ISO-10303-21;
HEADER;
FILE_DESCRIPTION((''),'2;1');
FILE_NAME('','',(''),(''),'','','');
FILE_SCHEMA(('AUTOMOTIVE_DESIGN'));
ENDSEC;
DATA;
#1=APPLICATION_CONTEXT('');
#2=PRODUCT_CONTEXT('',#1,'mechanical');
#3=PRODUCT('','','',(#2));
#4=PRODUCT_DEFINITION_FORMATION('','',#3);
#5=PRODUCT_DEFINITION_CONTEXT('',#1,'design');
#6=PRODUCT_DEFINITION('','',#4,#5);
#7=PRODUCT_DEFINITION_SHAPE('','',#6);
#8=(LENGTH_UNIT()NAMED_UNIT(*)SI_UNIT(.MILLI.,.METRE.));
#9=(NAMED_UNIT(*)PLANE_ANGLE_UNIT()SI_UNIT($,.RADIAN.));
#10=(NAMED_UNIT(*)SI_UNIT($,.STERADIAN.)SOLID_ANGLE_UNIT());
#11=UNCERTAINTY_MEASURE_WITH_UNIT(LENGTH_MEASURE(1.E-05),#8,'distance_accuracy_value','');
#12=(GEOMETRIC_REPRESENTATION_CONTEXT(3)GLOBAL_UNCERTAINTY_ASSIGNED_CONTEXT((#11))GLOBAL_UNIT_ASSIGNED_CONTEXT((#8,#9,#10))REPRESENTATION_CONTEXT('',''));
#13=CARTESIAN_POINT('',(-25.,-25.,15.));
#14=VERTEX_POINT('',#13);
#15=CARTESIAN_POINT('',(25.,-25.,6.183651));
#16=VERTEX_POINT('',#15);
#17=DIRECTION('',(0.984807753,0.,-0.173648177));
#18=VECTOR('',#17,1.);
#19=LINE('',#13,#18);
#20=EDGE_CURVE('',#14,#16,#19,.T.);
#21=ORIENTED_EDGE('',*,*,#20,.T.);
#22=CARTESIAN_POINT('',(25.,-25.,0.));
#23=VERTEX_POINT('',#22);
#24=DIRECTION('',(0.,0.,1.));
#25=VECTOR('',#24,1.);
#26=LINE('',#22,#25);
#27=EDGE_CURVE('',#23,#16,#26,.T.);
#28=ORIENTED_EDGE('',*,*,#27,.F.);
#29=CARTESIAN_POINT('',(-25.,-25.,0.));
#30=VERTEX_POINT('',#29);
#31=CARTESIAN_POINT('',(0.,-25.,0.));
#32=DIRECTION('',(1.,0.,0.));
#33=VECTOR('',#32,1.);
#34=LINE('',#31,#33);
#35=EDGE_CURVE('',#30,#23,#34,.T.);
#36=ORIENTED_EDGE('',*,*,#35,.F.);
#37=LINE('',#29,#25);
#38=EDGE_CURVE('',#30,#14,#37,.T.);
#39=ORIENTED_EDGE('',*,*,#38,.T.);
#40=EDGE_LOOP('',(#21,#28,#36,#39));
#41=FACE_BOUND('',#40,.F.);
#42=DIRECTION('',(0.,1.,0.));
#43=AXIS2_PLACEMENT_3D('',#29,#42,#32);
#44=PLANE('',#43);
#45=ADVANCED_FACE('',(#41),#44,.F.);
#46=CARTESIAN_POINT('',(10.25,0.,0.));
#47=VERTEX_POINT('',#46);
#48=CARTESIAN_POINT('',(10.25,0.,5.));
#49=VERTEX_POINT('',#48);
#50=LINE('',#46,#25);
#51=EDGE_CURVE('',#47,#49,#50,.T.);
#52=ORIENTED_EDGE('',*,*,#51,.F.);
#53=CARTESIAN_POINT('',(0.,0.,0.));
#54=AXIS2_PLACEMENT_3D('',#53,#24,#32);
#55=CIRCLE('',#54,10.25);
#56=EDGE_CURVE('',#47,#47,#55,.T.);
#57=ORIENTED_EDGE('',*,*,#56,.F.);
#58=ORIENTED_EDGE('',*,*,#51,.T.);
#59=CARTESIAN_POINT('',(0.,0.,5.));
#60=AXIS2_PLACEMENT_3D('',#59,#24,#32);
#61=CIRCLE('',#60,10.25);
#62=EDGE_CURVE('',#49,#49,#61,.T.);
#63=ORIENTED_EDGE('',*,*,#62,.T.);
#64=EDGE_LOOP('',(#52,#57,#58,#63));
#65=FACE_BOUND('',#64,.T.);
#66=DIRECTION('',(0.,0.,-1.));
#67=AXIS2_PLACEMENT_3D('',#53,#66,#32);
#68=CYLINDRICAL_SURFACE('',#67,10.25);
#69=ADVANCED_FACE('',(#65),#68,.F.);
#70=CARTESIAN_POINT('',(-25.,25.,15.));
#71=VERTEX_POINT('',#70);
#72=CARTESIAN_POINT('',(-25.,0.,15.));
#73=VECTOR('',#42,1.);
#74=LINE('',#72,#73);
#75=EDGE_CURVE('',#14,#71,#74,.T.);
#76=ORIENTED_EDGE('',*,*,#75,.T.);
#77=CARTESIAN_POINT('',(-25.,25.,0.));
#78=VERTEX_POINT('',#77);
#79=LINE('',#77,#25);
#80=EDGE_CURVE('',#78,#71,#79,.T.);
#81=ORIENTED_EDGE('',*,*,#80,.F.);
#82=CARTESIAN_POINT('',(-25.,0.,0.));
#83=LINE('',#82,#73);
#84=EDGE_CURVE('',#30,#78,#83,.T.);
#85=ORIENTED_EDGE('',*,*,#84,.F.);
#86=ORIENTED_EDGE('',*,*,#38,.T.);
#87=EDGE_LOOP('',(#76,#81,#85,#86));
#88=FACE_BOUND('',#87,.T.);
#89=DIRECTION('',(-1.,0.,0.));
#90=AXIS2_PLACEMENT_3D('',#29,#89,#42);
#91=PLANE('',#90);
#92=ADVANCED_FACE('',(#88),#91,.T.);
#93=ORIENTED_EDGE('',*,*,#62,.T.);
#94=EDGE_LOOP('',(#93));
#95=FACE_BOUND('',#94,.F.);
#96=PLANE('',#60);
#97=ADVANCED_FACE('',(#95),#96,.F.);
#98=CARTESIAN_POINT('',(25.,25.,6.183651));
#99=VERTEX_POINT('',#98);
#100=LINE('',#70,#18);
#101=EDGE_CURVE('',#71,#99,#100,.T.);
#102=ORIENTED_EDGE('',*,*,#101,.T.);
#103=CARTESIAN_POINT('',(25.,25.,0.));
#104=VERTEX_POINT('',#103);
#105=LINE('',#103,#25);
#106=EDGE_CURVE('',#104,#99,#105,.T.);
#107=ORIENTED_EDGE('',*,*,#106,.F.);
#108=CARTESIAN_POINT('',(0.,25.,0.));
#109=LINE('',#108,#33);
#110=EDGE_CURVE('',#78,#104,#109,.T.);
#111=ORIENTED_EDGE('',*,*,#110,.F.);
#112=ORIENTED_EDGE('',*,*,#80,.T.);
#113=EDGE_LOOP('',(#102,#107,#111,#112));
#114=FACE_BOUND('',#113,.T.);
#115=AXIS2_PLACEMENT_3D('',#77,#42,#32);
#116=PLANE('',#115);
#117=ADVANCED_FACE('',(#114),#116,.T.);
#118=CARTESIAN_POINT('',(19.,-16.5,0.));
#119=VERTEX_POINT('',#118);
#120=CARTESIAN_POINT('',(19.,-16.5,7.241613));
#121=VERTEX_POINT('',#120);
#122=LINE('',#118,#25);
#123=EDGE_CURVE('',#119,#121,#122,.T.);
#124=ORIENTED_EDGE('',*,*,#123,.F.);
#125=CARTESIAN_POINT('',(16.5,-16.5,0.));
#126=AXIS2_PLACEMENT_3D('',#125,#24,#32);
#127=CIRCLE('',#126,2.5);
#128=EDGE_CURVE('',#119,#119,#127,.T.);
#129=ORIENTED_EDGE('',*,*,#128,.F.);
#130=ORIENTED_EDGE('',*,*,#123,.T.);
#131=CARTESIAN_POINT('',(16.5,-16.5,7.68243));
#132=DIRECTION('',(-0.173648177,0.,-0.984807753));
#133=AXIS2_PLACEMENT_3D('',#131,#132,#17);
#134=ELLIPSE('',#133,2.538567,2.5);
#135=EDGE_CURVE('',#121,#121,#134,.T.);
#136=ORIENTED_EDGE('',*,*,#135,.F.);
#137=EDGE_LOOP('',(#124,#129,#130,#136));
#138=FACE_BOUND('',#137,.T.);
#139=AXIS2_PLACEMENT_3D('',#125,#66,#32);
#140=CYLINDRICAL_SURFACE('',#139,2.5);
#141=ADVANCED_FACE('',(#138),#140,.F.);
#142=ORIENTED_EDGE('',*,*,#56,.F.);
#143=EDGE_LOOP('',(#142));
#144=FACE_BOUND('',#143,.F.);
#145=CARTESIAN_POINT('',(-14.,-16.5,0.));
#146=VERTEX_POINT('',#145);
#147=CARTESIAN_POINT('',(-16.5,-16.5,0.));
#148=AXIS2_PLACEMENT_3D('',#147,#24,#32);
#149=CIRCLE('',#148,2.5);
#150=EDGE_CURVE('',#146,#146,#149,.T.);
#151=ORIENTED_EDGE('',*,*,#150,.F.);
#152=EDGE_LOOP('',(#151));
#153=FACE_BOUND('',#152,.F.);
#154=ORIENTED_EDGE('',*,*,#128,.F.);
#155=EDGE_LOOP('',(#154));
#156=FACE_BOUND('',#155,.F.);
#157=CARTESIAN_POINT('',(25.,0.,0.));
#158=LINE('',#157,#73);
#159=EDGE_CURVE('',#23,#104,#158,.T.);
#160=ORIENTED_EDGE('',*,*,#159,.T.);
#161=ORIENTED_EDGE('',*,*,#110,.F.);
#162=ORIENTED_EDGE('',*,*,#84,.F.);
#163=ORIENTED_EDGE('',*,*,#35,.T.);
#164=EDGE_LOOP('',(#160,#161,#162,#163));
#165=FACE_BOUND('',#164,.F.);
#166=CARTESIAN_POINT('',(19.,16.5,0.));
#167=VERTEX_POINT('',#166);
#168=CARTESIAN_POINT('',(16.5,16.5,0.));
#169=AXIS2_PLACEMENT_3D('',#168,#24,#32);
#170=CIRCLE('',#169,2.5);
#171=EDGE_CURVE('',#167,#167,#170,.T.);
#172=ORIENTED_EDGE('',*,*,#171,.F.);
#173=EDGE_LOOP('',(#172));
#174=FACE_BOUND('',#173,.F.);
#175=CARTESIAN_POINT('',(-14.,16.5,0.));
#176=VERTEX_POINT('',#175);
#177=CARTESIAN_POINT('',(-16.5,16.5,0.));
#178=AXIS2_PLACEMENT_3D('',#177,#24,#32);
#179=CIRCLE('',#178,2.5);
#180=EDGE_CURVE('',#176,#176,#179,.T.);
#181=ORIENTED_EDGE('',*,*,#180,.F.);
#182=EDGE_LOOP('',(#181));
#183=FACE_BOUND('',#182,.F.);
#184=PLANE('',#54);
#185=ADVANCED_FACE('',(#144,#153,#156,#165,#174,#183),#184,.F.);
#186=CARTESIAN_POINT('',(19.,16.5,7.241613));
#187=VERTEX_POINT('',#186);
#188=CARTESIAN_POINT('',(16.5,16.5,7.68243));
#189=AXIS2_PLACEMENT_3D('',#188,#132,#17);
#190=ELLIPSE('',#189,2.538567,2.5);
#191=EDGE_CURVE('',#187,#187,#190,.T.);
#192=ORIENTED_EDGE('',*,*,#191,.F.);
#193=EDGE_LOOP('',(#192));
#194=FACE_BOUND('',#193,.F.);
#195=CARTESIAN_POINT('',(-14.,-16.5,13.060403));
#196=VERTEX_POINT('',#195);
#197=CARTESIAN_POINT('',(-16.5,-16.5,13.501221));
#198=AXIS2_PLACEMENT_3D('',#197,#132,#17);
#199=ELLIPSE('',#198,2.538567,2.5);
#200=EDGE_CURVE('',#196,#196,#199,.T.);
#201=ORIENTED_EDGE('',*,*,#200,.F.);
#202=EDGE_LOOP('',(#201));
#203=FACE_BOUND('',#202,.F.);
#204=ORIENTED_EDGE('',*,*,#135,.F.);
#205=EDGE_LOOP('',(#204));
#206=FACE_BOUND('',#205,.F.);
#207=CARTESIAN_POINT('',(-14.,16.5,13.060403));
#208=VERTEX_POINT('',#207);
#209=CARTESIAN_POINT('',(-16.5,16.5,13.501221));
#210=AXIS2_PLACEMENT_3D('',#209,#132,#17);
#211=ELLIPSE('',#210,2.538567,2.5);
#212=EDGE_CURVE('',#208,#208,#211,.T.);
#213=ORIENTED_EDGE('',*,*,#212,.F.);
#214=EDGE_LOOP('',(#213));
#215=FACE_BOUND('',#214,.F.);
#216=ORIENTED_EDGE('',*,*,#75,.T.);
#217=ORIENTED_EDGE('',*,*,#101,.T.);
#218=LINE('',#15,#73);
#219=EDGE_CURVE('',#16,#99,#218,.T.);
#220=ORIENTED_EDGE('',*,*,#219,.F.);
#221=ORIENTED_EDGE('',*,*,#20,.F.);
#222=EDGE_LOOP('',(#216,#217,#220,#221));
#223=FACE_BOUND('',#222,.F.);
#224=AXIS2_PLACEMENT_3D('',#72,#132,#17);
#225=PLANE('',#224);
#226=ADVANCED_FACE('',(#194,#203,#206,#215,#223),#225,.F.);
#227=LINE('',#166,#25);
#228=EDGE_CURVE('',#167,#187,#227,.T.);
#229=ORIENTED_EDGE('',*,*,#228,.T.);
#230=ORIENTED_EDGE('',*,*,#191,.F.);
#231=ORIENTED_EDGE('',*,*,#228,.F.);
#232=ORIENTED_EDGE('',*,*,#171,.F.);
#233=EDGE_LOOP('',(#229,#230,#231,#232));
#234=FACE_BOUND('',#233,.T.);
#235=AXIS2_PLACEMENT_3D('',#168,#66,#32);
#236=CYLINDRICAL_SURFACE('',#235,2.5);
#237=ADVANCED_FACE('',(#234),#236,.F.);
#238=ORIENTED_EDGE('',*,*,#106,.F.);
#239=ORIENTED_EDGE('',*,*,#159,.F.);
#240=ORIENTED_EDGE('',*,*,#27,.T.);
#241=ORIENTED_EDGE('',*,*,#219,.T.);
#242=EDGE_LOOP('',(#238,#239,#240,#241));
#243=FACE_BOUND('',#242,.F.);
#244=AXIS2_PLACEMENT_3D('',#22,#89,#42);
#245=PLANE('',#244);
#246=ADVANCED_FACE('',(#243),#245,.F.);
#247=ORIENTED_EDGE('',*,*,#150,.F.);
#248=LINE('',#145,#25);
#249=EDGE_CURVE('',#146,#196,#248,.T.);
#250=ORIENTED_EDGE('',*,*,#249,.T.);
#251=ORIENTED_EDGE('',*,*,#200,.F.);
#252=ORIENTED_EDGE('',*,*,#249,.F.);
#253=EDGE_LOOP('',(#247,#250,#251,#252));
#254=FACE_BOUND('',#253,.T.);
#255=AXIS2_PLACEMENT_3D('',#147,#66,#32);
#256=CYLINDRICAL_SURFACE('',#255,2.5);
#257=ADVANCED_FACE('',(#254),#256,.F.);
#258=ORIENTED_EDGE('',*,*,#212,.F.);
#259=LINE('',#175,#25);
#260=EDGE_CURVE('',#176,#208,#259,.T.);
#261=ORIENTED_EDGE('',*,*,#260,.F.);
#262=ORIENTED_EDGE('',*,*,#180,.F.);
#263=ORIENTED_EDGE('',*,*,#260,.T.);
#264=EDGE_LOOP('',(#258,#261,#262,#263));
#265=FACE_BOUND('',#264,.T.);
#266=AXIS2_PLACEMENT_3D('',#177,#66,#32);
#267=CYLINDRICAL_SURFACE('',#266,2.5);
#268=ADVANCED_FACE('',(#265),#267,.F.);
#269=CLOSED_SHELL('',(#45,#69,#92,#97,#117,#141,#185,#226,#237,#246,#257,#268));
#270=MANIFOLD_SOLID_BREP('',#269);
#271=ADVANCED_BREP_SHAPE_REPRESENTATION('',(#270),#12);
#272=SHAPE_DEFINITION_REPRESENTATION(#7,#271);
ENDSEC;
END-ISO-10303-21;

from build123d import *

# Parameters (mm, degrees)
F0_W     = 50
F0_H     = 50
F0_R     = 2.5
F0_R_2   = 9.55
F1_DEPTH = 15
F3_DEPTH = 25
F4_R     = 10.25
F5_DEPTH = 5


with BuildPart() as f1:
    # F0 (on Top) → F1 (new body)
    with BuildSketch(Plane.XY):
        Rectangle(F0_W, F0_H)
        with Locations((-16.5, -16.5)):
            Circle(F0_R, mode=Mode.SUBTRACT)
        with Locations((16.5, -16.5)):
            Circle(F0_R, mode=Mode.SUBTRACT)
        with Locations((-16.5, 16.5)):
            Circle(F0_R, mode=Mode.SUBTRACT)
        Circle(F0_R_2, mode=Mode.SUBTRACT)
        with Locations((16.5, 16.5)):
            Circle(F0_R, mode=Mode.SUBTRACT)
        Circle(F0_R_2)
    extrude(amount=F1_DEPTH)

    # F2 (on Front) → F3 (cut, symmetric)
    with BuildSketch(Plane.XZ):
        Polygon((25, 15), (-25, 15), (25, 6.183651), align=None)
    extrude(amount=F3_DEPTH, both=True, mode=Mode.SUBTRACT)

    # F4 (on Top) → F5 (cut)
    with BuildSketch(Plane.XY):
        Circle(F4_R)
    extrude(amount=F5_DEPTH, mode=Mode.SUBTRACT)


solid = f1.part
